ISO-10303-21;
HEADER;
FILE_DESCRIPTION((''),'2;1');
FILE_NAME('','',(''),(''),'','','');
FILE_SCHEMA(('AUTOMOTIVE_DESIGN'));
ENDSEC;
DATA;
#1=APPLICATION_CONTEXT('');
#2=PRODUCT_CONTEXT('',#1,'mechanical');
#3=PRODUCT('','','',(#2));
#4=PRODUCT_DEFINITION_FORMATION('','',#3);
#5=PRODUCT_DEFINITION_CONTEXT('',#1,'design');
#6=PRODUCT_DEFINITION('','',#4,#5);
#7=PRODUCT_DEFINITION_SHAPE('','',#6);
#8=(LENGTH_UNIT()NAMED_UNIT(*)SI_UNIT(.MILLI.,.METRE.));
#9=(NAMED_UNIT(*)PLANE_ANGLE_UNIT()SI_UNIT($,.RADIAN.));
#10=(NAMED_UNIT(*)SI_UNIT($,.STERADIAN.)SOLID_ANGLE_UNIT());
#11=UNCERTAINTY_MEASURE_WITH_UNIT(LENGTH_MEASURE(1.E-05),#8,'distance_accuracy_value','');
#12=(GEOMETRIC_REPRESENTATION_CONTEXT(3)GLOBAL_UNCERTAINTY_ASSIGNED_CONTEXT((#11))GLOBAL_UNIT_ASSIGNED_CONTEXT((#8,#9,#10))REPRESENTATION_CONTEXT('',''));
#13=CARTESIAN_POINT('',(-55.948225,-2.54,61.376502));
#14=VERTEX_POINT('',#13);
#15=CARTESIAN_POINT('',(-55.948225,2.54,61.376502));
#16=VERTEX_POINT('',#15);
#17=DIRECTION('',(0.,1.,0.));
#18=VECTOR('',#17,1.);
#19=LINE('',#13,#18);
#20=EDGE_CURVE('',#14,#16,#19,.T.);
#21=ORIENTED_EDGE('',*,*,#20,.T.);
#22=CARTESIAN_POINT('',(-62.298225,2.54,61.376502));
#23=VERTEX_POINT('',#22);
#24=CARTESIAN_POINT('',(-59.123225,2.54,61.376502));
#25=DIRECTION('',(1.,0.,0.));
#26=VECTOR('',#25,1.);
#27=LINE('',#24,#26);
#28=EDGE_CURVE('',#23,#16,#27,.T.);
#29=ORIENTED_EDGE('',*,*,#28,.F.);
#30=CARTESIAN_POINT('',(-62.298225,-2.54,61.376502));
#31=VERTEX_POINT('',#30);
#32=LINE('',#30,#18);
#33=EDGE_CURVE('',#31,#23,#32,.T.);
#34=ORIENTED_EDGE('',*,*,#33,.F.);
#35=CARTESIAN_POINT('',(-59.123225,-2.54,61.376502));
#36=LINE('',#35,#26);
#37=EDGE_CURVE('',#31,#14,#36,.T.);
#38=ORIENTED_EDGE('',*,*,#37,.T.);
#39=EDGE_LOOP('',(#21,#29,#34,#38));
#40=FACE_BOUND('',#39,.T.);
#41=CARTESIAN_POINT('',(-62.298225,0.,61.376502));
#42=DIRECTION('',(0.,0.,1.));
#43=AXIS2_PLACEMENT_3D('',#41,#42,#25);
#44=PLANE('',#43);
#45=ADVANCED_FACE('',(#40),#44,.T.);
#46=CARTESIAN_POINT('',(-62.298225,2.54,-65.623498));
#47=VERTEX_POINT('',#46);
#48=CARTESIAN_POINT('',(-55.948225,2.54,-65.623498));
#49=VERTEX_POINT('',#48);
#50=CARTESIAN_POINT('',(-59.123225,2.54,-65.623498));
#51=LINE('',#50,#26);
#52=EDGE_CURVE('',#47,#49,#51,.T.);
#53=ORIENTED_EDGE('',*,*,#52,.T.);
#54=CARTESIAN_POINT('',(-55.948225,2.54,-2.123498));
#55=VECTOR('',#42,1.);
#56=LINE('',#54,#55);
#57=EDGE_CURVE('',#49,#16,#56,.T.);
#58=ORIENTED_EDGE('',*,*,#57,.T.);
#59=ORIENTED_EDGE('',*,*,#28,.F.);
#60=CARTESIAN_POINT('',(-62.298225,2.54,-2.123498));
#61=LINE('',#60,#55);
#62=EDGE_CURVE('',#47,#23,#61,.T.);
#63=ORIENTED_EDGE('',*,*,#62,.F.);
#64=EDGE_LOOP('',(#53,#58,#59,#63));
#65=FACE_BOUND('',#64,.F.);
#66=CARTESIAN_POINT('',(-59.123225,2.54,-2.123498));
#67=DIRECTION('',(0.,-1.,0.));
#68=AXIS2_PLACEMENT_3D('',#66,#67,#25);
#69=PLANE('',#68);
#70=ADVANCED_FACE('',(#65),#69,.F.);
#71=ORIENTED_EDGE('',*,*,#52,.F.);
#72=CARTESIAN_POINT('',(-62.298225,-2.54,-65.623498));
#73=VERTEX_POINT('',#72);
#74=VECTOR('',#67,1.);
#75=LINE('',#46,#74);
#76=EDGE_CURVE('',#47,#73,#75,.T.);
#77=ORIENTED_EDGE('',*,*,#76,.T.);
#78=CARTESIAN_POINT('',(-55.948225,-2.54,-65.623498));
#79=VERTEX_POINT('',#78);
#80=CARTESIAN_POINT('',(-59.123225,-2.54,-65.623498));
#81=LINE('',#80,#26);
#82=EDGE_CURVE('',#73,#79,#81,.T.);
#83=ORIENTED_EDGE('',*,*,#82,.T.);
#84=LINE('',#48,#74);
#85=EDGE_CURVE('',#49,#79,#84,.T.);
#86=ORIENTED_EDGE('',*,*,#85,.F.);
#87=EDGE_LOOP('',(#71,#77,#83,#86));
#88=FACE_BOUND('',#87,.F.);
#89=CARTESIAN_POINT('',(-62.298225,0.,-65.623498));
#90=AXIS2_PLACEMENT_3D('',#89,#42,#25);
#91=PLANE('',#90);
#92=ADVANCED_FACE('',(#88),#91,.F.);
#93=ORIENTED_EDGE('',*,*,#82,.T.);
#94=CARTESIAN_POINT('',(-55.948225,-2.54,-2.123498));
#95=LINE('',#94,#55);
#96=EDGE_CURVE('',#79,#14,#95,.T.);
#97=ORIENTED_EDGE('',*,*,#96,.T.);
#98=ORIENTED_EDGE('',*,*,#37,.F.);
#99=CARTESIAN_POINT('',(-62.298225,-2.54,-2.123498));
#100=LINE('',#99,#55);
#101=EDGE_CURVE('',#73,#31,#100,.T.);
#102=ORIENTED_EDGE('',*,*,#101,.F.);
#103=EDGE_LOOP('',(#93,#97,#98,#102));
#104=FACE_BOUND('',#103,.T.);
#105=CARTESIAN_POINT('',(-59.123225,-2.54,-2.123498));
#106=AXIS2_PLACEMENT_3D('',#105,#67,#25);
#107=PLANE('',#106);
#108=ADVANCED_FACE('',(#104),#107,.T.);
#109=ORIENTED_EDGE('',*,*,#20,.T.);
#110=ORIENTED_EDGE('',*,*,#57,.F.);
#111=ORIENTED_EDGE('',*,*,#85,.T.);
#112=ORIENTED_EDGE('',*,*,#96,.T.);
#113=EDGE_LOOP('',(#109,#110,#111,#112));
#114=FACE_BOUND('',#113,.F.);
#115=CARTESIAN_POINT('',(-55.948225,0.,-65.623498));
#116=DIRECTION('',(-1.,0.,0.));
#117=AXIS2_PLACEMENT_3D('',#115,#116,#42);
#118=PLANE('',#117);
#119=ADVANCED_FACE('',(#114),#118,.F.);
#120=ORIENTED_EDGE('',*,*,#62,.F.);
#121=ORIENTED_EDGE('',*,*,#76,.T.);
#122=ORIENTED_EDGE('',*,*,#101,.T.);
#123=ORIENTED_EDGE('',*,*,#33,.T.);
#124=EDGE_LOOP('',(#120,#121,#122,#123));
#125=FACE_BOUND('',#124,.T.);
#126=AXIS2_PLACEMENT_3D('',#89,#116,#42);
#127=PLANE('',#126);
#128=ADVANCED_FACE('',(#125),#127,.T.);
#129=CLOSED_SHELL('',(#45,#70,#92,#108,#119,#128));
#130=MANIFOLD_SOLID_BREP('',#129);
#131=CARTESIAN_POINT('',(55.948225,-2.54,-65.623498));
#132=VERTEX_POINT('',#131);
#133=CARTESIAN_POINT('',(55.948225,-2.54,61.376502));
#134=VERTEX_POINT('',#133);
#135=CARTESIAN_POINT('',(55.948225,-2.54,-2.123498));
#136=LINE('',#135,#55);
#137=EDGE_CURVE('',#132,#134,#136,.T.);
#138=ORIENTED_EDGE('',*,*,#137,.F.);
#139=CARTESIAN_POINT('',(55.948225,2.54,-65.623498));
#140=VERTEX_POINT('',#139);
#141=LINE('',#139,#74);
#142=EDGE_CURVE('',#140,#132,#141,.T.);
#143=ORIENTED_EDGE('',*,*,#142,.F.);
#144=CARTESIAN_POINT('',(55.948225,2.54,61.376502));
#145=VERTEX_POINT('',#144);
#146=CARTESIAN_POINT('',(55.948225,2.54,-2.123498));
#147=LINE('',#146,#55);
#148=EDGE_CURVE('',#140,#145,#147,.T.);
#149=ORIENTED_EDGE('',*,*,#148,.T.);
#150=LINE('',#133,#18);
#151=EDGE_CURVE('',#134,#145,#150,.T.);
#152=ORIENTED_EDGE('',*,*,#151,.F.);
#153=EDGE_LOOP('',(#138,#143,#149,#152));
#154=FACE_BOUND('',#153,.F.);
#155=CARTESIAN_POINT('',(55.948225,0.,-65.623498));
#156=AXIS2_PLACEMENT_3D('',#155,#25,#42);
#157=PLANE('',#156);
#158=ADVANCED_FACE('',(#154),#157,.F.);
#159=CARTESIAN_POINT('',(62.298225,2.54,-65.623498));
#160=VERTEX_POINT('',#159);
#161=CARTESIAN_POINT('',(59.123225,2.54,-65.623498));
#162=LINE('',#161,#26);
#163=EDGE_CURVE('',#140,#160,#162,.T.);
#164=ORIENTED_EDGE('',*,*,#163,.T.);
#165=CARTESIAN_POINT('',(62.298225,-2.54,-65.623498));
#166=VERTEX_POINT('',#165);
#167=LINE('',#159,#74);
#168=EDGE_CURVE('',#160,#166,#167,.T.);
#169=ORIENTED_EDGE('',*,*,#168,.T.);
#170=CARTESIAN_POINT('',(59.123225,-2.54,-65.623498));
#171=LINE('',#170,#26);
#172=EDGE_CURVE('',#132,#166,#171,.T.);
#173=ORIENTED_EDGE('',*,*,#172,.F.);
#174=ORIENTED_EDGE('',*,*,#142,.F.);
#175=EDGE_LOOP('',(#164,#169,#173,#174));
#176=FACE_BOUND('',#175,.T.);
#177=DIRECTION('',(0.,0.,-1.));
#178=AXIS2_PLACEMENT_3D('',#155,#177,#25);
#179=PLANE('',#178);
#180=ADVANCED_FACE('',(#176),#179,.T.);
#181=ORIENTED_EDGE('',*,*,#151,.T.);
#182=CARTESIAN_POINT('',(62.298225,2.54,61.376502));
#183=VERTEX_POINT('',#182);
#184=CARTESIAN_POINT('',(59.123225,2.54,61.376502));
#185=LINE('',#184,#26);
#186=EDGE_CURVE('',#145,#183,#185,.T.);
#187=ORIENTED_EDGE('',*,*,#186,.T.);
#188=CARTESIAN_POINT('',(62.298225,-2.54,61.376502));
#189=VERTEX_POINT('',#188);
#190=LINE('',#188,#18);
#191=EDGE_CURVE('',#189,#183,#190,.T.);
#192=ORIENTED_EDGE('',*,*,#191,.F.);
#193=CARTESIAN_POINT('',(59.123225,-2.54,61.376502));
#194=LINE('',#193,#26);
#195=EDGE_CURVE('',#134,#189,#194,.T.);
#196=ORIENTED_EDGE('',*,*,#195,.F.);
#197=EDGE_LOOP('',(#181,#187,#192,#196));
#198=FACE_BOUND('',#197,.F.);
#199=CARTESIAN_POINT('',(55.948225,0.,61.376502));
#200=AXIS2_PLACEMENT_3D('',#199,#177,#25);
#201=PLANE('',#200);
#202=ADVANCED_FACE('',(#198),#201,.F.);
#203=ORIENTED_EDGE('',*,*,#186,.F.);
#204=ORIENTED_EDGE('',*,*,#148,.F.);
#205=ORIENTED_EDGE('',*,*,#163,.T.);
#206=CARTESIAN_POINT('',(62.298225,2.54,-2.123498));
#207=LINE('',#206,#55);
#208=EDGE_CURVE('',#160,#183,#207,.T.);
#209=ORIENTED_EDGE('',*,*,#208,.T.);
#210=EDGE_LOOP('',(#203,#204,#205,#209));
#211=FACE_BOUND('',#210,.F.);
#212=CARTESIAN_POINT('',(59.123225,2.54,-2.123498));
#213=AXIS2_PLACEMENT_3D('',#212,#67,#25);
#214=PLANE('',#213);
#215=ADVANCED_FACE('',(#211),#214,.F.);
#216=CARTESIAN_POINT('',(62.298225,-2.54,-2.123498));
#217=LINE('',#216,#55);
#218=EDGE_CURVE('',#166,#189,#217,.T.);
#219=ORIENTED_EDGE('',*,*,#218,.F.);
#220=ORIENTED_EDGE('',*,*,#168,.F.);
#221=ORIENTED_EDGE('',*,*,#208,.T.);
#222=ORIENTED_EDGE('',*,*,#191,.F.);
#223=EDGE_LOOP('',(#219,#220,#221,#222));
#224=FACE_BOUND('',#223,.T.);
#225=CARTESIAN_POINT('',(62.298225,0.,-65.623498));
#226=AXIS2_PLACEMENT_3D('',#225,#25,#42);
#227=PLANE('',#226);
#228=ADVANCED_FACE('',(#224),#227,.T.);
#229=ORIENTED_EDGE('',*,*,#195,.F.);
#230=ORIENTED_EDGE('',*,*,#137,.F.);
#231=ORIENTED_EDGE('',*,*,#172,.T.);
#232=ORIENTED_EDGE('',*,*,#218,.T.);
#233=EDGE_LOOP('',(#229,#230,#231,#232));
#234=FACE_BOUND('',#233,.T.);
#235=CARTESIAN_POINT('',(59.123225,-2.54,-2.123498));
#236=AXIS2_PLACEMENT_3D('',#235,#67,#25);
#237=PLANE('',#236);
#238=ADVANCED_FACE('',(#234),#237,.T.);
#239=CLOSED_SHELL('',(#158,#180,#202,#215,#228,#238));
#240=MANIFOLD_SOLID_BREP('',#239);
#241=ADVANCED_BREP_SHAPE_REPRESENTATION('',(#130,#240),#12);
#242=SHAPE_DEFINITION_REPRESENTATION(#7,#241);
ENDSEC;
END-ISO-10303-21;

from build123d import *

# Parameters (mm, degrees)
F0_W     = 6.35
F0_H     = 127
F1_DEPTH = 2.54


with BuildPart() as f1:
    # F0 (on Front) → F1 (new body, symmetric)
    with BuildSketch(Plane.XZ):
        with Locations((-59.123225, -2.123498)):
            Rectangle(F0_W, F0_H)
        with Locations((59.123225, -2.123498)):
            Rectangle(F0_W, F0_H)
    extrude(amount=F1_DEPTH, both=True)


solid = f1.part
